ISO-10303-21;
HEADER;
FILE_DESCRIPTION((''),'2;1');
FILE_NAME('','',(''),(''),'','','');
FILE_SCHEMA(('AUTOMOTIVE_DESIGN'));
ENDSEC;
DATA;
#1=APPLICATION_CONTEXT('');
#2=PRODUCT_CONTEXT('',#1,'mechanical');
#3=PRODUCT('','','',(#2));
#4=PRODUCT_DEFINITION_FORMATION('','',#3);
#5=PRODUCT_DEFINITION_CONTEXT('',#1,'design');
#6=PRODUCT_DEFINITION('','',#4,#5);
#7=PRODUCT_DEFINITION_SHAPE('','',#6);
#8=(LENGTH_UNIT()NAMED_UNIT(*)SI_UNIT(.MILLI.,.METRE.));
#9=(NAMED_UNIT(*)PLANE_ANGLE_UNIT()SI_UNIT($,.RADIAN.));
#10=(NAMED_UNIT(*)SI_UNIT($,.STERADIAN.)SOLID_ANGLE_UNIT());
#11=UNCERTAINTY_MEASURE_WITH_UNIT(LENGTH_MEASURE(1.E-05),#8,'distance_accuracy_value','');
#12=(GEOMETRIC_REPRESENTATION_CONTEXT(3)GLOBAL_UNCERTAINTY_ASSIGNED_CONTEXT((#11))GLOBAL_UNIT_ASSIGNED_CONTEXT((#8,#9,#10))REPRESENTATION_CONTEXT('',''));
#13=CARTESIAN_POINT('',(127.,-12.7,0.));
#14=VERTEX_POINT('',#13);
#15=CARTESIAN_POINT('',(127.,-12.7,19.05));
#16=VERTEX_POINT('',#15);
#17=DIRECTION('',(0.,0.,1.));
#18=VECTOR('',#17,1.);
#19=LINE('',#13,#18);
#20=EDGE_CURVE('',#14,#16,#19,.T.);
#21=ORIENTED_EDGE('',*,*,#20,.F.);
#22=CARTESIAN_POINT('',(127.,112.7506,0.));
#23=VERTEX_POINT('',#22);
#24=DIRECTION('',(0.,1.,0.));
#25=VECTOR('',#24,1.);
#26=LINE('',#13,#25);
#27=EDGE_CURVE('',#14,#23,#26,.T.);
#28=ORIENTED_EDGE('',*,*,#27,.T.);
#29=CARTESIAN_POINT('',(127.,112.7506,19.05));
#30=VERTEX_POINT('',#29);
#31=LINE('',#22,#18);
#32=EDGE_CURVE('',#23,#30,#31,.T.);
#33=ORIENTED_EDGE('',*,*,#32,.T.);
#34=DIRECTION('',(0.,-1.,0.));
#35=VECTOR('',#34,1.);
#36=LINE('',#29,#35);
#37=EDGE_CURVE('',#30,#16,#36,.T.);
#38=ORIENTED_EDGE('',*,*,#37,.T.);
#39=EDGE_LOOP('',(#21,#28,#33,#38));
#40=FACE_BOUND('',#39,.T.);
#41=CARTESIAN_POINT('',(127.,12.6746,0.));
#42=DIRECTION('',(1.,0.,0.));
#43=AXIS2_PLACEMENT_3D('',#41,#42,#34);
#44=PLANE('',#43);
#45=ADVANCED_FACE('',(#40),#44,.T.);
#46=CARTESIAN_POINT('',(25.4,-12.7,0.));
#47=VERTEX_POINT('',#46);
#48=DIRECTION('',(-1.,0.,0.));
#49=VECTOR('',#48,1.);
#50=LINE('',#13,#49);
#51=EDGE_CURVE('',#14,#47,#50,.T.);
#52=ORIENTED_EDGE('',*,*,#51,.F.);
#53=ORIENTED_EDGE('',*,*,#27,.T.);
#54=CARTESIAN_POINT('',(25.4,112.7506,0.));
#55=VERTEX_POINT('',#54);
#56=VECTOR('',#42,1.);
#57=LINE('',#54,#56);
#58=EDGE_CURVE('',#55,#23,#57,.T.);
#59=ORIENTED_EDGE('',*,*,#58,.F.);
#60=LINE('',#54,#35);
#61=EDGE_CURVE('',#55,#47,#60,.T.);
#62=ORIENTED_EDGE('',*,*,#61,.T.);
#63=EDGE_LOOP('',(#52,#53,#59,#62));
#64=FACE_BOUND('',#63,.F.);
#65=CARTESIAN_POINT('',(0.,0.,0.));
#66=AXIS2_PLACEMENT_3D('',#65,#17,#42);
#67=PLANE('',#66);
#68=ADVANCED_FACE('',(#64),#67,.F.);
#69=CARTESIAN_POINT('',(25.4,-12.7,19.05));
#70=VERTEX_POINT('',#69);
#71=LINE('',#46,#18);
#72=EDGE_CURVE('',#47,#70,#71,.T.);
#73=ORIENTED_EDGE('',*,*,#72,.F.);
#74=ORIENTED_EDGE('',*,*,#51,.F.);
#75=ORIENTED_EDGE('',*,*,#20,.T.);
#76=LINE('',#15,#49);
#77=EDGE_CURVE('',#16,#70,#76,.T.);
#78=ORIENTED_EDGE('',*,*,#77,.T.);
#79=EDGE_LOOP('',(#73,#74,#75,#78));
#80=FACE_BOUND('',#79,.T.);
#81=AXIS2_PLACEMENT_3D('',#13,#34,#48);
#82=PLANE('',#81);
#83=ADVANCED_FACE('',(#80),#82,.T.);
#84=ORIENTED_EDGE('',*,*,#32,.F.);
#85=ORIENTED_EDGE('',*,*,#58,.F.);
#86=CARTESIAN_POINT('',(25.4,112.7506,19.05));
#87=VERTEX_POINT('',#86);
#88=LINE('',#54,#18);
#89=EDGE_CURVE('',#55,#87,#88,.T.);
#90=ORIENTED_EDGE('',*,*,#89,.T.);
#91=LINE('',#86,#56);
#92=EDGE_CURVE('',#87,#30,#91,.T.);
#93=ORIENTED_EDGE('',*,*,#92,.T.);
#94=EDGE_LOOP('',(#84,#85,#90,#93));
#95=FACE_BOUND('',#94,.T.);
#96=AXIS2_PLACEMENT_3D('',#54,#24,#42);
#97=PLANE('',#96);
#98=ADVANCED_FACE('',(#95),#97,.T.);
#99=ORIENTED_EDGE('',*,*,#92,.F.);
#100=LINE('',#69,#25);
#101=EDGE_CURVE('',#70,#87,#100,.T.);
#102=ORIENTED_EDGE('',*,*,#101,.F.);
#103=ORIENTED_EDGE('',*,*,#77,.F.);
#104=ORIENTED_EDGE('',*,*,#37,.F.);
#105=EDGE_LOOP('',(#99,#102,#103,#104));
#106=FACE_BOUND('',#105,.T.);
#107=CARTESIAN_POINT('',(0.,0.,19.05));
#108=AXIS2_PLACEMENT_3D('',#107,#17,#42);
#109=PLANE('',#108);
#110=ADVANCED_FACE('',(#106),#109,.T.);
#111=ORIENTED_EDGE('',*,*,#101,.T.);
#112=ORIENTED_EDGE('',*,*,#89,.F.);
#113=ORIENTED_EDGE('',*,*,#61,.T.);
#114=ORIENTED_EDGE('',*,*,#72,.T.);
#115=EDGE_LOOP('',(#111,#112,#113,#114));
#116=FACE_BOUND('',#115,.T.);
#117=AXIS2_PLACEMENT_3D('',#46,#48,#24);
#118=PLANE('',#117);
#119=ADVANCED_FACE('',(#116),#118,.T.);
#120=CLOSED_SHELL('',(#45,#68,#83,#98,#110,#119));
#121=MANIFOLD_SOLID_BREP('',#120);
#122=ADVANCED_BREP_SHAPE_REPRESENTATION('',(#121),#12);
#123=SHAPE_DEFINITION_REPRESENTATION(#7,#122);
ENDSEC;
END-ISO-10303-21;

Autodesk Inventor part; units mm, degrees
ref_plane "YZ Plane" through (0, 0, 0) normal (1, 0, 0) x (0, 1, 0)
ref_plane "XZ Plane" through (0, 0, 0) normal (0, 1, 0) x (-1, 0, 0)
ref_plane "XY Plane" through (0, 0, 0) normal (0, 0, 1) x (1, 0, 0)
ref_plane "Work Plane1" through (0, 0, 0) normal (0, 0, 1) x (1, 0, 0)
sketch "Sketch1" plane through (0, 0, 0) normal (0, 0, 1) x (1, 0, 0)
  line L0 (127, -12.7) -> (25.4, -12.7)
  line L1 (25.4, -12.7) -> (25.4, 112.7506)
  line L2 (25.4, 112.7506) -> (127, 112.7506)
  line L3 (127, 112.7506) -> (127, -12.7)
  line L4 (152.4, -12.7) -> (-152.4, -12.7) projected
  circle A0 centre (133.35, 0) radius 3.175 projected
  circle A1 centre (-146.05, 0) radius 3.175 projected
  circle A2 centre (-133.35, 0) radius 3.175 projected
  circle A3 centre (146.05, 0) radius 3.175 projected
  line L5 (152.4, 12.7) -> (152.4, -12.7) projected
  line L6 (-152.4, 12.7) -> (152.4, 12.7) projected
  line L7 (-152.4, -12.7) -> (-152.4, 12.7) projected
  line L8 (152.4, -12.7) -> (-152.4, -12.7) projected
  circle A4 centre (133.35, 100.0506) radius 3.175 projected
  circle A5 centre (-146.05, 100.0506) radius 3.175 projected
  circle A6 centre (-133.35, 100.0506) radius 3.175 projected
  circle A7 centre (146.05, 100.0506) radius 3.175 projected
  line L9 (152.4, 112.7506) -> (152.4, 87.3506) projected
  line L10 (-152.4, 112.7506) -> (152.4, 112.7506) projected
  line L11 (-152.4, 87.3506) -> (-152.4, 112.7506) projected
  line L12 (152.4, 87.3506) -> (-152.4, 87.3506) projected
  line L13 (127, 12.6746) -> (127, -61.8239) projected
  point P0 (0, 0)
  dimension "d0" = 101.6
extrude "Extrusion1" add sketch "Sketch1" along normal blind 19.05 contours L0 L1 L6 L3 | L1 L12 L3 L6 | L1 L2 L3 L12
properties part number "ControllerPlatform" material "Wood (Birch)"
